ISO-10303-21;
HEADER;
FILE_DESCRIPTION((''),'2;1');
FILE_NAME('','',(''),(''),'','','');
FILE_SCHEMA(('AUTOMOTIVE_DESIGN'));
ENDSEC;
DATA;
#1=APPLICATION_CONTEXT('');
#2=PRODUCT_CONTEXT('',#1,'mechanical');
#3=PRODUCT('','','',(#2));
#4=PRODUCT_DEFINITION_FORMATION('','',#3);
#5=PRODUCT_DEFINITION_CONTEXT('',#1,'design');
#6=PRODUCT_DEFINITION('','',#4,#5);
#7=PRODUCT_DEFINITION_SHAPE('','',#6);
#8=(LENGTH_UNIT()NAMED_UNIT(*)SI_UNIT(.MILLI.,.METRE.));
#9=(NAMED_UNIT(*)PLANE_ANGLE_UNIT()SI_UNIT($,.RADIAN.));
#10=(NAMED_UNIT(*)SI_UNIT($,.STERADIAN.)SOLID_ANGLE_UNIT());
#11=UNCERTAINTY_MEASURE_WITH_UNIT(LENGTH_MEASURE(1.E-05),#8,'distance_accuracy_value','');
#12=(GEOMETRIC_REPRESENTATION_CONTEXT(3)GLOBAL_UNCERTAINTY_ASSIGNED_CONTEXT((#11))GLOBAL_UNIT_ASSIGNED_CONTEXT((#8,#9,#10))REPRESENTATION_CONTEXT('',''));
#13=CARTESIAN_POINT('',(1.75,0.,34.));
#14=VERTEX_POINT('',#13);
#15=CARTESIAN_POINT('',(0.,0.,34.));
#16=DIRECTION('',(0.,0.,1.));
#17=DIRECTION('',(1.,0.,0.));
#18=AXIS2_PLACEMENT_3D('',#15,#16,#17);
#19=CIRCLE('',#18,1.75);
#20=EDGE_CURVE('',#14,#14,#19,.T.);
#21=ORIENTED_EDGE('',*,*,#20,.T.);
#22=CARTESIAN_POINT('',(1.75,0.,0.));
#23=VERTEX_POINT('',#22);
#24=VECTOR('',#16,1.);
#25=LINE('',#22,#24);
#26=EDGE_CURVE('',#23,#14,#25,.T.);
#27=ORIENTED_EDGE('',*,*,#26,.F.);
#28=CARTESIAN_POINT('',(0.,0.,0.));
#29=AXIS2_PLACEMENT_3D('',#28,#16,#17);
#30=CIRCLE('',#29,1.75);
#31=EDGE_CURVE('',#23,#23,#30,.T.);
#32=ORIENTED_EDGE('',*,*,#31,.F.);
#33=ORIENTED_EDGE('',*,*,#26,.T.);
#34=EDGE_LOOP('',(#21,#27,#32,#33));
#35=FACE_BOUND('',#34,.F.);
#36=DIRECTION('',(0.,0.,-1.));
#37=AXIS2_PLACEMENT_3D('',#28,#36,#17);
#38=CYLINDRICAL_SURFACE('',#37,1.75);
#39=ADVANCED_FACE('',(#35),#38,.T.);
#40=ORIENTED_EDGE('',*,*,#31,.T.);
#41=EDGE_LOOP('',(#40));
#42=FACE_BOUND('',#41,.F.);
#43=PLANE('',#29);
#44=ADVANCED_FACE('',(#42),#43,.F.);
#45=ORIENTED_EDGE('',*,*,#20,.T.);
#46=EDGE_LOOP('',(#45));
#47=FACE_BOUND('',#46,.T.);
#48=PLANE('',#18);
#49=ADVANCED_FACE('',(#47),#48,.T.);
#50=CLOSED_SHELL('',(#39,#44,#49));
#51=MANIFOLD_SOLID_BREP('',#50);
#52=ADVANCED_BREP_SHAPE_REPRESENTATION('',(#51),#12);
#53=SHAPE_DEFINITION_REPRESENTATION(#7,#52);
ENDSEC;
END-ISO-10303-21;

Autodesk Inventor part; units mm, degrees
ref_plane "YZ Plane" through (0, 0, 0) normal (1, 0, 0) x (0, 1, 0)
ref_plane "XZ Plane" through (0, 0, 0) normal (0, 1, 0) x (-1, 0, 0)
ref_plane "XY Plane" through (0, 0, 0) normal (0, 0, 1) x (1, 0, 0)
sketch "Sketch1" plane through (0, 0, 0) normal (0, 0, 1) x (1, 0, 0)
  circle A0 centre (0, 0) radius 1.75
  dimension "d0" = 3.5
extrude "Extrusion1" add sketch "Sketch1" along normal blind 34
properties part number "core_b_through"
